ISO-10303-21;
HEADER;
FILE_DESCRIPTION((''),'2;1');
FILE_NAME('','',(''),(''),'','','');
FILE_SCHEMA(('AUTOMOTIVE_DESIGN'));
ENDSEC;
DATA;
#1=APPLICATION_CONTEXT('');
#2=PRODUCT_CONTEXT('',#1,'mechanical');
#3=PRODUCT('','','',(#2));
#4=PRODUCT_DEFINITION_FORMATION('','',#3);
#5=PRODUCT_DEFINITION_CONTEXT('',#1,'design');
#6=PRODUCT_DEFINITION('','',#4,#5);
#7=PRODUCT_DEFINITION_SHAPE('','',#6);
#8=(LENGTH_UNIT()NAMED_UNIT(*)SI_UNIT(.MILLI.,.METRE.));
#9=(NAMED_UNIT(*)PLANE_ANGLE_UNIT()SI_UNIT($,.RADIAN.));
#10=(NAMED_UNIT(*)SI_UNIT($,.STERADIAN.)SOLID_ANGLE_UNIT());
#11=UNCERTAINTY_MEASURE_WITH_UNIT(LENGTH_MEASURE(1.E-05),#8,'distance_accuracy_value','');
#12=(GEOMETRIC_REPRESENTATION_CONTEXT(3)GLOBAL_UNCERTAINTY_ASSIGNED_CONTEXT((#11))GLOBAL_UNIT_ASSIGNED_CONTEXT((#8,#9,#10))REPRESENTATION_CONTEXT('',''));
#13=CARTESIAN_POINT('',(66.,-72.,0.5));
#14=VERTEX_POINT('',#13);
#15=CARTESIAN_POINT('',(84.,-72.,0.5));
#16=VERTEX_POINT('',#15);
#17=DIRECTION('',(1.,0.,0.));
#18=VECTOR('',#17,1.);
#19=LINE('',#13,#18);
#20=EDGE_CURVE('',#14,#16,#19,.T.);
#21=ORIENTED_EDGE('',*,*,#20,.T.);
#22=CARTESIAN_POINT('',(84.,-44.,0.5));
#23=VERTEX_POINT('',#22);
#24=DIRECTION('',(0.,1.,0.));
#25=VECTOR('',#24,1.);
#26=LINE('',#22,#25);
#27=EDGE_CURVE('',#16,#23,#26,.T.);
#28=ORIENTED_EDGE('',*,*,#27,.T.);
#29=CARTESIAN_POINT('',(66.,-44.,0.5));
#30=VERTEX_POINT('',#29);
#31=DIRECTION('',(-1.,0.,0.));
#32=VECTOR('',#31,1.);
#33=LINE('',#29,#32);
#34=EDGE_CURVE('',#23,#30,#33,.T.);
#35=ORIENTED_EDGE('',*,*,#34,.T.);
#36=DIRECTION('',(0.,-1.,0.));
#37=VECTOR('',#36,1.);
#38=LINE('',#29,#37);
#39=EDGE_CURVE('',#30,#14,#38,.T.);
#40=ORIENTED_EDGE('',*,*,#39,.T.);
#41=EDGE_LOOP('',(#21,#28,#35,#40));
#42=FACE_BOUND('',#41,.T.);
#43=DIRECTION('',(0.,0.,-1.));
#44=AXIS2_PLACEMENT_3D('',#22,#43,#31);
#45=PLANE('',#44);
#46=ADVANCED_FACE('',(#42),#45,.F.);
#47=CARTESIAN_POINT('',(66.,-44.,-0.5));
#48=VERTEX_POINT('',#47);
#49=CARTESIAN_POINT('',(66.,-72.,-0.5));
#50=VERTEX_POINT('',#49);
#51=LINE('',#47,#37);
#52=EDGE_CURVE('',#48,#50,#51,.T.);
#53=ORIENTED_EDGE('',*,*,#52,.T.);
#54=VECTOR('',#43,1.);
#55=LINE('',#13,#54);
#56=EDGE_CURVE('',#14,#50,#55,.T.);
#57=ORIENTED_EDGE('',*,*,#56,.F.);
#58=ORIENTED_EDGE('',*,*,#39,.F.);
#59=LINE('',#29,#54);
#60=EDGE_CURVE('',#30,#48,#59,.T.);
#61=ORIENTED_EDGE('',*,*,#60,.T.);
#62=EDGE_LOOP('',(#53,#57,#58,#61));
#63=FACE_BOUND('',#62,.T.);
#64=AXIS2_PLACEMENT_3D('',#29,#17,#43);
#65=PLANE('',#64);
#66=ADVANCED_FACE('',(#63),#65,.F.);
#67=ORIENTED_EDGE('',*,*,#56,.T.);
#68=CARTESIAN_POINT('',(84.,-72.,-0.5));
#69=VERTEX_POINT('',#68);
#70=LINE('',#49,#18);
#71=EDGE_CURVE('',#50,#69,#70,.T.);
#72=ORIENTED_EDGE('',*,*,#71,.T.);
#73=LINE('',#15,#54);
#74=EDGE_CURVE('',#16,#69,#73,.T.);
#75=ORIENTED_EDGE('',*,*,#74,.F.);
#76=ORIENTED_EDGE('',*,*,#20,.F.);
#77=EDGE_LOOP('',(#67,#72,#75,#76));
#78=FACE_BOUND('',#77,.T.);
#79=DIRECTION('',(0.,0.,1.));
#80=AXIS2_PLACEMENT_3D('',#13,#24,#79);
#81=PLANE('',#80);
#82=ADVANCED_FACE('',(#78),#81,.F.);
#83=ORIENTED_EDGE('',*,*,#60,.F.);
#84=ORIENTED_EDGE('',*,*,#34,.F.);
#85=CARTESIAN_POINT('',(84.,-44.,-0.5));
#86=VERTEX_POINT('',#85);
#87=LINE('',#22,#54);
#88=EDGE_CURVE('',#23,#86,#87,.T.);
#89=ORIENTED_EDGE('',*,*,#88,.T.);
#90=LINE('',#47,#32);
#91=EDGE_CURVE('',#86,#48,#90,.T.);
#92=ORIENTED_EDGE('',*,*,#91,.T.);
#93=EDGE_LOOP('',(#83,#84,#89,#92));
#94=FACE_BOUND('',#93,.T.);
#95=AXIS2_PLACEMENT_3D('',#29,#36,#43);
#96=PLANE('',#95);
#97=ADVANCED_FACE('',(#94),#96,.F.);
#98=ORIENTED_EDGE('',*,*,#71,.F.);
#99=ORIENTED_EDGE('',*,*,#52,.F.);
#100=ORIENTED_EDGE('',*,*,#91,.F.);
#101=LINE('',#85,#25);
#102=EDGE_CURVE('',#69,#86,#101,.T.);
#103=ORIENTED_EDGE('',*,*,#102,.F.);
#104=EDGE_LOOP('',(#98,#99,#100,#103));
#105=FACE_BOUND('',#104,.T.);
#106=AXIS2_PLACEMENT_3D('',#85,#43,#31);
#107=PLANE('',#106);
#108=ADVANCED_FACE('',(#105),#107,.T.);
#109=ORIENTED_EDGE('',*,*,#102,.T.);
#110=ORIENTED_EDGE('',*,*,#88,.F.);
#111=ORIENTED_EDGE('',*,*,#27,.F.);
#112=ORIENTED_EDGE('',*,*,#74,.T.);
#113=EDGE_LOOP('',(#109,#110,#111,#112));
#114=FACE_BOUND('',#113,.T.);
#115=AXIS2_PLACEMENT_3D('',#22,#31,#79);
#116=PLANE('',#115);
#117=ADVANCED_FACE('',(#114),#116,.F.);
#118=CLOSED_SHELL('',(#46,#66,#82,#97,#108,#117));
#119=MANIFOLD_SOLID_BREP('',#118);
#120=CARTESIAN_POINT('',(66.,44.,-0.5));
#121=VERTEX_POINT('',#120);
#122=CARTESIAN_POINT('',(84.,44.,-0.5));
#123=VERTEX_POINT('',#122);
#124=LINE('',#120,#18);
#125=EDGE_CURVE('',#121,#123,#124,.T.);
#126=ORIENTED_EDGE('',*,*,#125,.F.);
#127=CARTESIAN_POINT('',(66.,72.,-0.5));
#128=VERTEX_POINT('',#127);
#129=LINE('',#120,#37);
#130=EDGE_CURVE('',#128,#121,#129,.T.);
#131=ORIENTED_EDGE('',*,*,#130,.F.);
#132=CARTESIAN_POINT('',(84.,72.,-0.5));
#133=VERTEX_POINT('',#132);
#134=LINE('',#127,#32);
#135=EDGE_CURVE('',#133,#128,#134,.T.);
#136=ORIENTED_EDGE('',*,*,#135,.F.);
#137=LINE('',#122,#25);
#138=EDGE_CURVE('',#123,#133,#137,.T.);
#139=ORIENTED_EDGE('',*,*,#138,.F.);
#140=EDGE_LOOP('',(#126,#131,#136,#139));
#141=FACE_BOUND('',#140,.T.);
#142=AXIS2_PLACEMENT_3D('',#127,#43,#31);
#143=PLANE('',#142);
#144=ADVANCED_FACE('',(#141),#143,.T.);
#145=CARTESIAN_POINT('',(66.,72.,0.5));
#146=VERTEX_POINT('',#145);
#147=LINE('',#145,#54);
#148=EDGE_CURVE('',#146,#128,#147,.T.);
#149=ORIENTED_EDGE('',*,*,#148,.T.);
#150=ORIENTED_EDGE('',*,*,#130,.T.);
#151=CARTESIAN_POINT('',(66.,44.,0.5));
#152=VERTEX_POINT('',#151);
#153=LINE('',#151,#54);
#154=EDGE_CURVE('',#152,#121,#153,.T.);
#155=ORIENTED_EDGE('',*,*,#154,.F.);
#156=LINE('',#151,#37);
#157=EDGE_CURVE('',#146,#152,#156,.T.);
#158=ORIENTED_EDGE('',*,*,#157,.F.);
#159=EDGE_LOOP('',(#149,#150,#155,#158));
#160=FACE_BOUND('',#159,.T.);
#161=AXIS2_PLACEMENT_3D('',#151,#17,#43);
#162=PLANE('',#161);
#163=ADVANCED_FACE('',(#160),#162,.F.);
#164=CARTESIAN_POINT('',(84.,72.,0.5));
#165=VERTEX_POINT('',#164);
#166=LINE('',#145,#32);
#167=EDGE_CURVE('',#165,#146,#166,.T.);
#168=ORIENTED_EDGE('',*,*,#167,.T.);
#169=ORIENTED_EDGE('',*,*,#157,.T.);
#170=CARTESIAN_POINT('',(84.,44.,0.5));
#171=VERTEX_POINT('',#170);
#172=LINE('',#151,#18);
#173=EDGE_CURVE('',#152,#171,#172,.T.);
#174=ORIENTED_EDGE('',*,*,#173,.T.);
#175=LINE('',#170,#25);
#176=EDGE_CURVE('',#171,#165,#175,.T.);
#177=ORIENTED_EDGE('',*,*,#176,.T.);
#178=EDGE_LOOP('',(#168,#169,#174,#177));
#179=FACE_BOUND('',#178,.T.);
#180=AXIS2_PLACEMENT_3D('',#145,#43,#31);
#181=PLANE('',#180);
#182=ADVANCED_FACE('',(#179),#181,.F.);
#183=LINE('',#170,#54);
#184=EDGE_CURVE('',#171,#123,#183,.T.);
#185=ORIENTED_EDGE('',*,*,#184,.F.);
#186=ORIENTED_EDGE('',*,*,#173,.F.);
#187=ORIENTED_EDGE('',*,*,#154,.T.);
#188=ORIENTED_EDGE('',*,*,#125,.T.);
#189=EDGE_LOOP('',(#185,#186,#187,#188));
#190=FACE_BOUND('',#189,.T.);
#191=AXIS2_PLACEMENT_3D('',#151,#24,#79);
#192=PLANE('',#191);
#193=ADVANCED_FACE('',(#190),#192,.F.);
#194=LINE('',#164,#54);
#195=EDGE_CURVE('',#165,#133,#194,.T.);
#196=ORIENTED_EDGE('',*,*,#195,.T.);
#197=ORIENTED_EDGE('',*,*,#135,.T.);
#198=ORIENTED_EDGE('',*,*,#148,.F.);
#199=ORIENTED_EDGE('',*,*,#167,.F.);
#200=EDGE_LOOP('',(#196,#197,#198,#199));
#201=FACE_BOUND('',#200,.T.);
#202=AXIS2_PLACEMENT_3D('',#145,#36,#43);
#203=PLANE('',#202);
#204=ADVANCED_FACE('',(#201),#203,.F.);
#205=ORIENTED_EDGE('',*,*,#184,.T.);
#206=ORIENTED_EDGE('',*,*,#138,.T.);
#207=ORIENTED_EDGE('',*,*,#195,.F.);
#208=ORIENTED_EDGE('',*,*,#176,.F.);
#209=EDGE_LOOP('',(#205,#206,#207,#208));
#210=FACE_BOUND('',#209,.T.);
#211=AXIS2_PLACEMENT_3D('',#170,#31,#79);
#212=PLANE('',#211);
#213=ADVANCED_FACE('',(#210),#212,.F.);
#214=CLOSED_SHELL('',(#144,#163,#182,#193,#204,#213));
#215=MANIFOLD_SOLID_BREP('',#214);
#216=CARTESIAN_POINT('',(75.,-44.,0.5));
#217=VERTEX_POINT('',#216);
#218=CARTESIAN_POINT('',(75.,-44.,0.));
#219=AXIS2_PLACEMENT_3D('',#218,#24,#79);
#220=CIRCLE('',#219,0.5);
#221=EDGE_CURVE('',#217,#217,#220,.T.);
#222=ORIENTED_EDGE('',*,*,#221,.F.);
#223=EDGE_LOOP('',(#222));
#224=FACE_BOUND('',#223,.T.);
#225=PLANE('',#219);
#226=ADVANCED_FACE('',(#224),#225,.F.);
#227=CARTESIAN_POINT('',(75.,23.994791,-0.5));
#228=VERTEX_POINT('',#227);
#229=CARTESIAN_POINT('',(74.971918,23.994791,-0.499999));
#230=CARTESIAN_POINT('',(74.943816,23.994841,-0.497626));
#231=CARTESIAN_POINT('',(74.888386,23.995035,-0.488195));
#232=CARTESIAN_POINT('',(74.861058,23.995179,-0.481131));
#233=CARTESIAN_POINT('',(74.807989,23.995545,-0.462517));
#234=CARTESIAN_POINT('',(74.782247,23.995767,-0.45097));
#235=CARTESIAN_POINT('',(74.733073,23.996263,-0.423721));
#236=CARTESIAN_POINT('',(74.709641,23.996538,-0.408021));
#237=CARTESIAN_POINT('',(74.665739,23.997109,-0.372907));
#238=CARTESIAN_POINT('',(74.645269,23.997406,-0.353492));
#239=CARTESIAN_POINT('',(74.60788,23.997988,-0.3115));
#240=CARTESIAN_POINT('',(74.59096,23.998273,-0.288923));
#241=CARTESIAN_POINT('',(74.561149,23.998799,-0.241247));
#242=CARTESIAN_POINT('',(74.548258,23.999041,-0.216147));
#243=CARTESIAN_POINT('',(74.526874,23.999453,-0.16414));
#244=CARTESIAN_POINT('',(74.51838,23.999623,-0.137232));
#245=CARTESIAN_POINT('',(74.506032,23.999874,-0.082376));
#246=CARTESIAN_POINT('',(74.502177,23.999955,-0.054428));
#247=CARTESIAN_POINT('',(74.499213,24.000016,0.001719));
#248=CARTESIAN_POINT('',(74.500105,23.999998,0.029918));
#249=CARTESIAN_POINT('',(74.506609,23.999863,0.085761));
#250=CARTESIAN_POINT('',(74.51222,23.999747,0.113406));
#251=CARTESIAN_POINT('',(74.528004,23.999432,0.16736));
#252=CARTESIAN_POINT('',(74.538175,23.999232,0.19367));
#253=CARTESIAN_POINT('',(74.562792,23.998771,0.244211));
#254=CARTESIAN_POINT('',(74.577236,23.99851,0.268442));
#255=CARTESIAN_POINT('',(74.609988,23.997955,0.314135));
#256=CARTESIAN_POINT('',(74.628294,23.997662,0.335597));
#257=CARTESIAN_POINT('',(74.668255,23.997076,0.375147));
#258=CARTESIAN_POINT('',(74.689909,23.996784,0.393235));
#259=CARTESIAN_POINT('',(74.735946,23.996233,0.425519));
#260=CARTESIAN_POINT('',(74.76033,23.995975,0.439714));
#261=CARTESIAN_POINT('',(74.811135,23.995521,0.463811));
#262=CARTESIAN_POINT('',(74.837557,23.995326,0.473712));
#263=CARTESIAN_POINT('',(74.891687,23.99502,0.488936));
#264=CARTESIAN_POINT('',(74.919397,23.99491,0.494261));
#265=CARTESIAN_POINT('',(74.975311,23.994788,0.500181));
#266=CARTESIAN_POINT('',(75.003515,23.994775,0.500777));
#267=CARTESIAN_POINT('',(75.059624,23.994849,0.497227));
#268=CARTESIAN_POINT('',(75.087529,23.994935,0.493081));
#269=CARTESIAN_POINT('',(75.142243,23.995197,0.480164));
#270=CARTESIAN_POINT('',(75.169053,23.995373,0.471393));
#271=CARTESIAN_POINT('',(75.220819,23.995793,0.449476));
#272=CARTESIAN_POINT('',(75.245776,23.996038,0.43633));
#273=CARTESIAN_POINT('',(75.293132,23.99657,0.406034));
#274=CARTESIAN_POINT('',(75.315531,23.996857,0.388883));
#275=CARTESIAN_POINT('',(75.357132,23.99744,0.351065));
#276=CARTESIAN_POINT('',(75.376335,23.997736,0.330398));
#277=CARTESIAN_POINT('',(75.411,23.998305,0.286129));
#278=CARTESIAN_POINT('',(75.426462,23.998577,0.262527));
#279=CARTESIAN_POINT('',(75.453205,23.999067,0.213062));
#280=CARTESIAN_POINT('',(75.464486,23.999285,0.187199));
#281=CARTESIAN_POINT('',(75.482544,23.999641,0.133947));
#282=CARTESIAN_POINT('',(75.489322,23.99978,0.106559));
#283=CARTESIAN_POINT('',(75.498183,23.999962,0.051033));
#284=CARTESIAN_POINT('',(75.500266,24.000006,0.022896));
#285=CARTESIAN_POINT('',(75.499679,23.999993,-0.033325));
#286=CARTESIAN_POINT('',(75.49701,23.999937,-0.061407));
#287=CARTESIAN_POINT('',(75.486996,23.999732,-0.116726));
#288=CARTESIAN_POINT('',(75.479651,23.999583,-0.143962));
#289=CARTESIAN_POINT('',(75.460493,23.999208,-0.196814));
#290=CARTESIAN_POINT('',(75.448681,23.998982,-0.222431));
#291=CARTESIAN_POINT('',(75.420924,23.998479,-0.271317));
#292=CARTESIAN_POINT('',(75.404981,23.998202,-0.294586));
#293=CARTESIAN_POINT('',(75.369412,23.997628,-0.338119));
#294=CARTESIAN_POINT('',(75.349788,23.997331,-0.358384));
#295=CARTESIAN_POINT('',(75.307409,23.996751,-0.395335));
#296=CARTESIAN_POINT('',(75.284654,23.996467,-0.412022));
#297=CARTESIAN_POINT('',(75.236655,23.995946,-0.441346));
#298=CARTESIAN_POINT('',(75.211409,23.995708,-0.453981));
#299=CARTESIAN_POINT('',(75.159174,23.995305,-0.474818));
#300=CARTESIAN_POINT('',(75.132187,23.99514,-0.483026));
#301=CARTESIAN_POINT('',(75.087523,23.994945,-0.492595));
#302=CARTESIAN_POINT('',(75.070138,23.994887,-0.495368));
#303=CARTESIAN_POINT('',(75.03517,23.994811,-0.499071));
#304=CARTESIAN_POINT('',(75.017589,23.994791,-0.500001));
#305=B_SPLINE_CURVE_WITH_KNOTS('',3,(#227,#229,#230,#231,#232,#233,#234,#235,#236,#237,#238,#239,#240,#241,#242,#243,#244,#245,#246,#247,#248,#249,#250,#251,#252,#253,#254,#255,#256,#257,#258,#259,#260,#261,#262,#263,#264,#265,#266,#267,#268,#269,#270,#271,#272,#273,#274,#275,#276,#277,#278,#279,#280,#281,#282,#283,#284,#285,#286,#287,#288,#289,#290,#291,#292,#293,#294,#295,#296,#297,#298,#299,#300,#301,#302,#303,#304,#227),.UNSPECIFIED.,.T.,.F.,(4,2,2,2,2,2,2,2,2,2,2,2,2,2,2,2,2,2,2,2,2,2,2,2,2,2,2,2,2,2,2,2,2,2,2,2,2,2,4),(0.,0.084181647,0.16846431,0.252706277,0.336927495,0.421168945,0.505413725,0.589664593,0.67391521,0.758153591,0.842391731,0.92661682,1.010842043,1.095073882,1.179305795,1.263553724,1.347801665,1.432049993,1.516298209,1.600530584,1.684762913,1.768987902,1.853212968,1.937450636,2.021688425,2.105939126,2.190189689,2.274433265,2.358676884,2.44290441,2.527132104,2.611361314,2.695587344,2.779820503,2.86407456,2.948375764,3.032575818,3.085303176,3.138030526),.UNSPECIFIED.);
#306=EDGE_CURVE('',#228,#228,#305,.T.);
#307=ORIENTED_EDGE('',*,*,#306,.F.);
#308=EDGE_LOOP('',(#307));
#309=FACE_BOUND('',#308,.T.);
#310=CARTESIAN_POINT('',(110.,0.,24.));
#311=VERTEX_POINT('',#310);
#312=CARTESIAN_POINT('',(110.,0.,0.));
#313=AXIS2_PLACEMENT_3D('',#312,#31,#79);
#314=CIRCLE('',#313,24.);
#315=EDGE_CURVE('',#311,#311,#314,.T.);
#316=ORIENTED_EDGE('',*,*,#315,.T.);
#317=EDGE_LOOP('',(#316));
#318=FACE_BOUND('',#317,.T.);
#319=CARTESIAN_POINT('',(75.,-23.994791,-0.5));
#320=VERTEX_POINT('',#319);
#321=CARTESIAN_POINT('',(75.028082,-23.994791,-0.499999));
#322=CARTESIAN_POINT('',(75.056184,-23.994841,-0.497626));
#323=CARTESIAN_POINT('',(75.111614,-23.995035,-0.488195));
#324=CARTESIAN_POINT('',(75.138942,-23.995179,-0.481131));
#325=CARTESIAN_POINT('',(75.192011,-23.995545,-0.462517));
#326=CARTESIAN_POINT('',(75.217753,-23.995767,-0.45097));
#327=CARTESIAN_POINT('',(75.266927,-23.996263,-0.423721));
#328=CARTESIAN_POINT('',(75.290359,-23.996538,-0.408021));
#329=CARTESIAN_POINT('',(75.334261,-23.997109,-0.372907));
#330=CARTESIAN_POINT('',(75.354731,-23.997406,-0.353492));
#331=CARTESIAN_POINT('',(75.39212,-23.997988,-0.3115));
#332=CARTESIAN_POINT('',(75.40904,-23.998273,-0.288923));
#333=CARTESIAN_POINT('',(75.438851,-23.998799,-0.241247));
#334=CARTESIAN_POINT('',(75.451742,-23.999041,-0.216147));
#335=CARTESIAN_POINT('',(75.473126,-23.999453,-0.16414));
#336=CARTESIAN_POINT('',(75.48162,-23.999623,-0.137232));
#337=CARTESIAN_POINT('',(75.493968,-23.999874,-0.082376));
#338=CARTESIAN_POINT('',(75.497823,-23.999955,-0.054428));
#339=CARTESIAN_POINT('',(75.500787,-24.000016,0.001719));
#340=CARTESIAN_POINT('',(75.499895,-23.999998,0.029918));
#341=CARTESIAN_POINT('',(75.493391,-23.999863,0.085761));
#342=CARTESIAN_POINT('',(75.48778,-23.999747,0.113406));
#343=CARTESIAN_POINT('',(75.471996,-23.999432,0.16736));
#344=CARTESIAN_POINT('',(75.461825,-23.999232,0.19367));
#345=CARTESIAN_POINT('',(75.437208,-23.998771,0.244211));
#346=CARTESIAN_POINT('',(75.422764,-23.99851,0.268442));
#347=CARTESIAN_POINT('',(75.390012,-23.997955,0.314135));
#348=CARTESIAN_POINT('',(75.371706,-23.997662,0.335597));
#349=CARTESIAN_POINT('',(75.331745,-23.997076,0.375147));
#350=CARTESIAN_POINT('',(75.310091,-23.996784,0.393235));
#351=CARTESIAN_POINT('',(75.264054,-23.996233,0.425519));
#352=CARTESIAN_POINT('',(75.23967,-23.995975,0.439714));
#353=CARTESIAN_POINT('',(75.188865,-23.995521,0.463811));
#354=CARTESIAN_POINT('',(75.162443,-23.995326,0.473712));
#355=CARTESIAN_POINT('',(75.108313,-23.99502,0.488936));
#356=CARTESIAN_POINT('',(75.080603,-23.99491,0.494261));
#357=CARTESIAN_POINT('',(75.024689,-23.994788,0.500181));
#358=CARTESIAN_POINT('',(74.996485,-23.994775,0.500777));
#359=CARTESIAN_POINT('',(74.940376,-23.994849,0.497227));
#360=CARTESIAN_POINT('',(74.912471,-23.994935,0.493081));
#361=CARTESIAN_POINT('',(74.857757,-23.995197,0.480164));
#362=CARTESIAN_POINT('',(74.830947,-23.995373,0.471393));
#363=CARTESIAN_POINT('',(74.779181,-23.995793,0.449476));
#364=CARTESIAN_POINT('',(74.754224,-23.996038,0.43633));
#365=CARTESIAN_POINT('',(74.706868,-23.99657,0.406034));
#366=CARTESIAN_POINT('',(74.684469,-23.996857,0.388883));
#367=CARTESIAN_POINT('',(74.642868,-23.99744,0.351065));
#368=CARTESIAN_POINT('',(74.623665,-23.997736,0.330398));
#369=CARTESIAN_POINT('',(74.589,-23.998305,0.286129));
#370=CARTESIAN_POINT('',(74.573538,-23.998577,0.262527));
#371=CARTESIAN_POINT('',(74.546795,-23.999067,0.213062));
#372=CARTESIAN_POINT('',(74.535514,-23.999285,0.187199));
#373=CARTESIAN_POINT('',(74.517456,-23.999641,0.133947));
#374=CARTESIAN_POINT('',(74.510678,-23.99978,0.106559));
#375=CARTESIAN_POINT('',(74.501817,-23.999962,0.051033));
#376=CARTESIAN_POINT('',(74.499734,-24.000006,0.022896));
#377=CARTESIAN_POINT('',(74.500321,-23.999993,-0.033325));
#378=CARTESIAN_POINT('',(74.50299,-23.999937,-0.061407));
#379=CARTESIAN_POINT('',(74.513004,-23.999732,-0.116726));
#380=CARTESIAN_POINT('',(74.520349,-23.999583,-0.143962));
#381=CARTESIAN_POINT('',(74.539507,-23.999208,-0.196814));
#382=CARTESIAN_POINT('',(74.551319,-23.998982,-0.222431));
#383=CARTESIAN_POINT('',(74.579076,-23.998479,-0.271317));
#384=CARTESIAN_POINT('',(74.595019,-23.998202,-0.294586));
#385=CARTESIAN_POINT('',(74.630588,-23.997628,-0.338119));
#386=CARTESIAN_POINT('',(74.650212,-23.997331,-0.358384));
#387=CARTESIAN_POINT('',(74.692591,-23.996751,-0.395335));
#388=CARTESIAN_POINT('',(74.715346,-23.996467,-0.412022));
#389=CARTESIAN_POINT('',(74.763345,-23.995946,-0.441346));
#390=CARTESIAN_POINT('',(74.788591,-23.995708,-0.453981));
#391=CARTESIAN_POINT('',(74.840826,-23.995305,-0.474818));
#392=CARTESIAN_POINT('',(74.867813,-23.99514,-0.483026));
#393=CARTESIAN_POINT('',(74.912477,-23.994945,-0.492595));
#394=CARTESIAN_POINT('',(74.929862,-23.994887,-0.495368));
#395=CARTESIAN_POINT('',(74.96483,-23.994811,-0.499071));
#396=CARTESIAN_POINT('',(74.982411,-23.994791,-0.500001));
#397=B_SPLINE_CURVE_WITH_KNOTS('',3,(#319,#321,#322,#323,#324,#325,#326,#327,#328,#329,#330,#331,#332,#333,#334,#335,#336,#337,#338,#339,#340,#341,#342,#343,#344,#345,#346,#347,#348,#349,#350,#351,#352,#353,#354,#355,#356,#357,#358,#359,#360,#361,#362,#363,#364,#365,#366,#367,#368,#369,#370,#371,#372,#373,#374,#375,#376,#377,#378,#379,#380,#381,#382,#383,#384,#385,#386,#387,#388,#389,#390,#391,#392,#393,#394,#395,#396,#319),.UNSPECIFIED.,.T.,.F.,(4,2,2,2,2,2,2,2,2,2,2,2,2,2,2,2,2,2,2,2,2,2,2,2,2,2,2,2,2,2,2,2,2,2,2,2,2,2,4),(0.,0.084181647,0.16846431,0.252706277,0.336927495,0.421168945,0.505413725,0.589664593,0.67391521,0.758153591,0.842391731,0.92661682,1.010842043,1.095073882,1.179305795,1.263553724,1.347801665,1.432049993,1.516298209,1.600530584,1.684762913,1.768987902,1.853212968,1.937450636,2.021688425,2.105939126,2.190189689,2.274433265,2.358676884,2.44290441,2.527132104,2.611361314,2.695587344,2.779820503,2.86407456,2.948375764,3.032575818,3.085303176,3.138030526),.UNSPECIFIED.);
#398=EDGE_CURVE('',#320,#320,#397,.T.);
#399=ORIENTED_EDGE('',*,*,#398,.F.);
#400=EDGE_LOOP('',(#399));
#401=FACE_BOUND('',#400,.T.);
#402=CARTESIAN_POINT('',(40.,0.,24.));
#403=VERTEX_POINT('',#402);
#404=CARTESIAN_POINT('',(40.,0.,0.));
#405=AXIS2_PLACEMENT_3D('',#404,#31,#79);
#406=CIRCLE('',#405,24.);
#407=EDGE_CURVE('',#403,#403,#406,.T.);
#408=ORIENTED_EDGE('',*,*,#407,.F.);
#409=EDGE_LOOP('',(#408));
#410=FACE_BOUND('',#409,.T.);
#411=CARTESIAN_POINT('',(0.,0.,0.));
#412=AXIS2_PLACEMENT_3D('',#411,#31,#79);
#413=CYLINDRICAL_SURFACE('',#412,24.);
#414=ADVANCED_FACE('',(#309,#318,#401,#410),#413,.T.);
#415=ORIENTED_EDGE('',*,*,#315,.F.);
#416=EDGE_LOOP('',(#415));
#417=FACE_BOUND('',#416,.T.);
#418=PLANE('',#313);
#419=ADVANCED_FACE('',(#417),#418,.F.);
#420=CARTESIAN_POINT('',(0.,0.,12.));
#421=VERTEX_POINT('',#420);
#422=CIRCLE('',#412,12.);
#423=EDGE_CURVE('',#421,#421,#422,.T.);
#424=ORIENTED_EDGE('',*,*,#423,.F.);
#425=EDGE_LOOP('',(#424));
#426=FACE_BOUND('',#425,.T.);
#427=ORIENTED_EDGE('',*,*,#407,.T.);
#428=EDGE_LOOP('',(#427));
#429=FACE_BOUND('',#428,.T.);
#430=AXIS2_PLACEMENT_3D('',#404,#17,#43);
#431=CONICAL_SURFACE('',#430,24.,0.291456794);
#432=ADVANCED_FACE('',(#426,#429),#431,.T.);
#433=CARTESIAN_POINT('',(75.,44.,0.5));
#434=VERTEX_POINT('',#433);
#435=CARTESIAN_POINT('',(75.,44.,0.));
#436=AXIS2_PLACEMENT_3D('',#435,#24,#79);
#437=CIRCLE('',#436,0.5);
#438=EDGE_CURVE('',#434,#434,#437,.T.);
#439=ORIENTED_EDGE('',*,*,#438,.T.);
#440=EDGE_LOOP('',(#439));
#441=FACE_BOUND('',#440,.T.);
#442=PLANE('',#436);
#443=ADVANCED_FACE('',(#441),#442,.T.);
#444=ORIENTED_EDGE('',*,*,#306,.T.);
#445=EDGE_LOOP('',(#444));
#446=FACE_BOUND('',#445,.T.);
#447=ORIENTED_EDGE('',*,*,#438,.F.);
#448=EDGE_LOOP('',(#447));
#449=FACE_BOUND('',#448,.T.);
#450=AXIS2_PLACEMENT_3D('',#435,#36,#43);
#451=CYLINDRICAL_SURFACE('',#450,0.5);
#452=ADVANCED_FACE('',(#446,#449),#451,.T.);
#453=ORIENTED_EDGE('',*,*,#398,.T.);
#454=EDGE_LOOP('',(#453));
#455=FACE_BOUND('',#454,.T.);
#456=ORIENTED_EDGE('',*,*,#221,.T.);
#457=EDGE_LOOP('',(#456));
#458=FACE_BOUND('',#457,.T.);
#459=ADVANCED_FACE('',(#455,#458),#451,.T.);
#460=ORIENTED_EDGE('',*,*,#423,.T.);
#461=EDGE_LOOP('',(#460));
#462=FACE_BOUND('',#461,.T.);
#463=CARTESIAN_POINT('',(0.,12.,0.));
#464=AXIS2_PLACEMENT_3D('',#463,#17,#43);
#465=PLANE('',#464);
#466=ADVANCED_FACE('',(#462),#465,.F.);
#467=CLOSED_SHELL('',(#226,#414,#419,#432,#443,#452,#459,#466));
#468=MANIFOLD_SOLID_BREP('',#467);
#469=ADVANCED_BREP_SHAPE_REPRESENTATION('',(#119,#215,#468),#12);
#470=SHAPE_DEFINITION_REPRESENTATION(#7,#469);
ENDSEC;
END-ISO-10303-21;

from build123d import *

# Parameters (mm, degrees)
SKETCH2_R        = 0.5
EXTRUDE1_DEPTH   = 44
SKETCH3_W        = 18
SKETCH3_H        = 28
EXTRUDE2_DEPTH   = 0.5
EXTRUDE2_2_DEPTH = 0.5


with BuildPart() as part:
    # Sketch1 → Revolve1 (revolve)
    with BuildSketch(Plane.XY, mode=Mode.PRIVATE) as revolve1_sk:
        Polygon((0, 0), (110, 0), (110, 24), (40, 24), (0, 12), align=None)
    revolve(revolve1_sk.sketch.rotate(Axis((0, 0, 0), (1, 0, 0)), 90), axis=Axis((0, 0, 0), (1, 0, 0)))  # turned: the seam where the file's is

    # Sketch2 → Extrude1 (add, symmetric)
    with BuildSketch(Plane(origin=(0, 0, 0), x_dir=(1, 0, 0), z_dir=(0, 1, 0))):
        with Locations(Location((75, 0, 0), (0, 0, 90))):  # turned: the seam where the file's is
            Circle(SKETCH2_R)
    extrude(amount=EXTRUDE1_DEPTH, both=True)


with BuildPart() as body_2:
    # Sketch3 → Extrude2 (new body, symmetric)
    with BuildSketch(Plane.XY):
        with Locations((75, 58)):
            Rectangle(SKETCH3_W, SKETCH3_H)
    extrude(amount=EXTRUDE2_DEPTH, both=True)


with BuildPart() as body_3:
    # Sketch3 → Extrude2 2 (new body, symmetric)
    with BuildSketch(Plane.XY):
        with Locations((75, -58)):
            Rectangle(SKETCH3_W, SKETCH3_H)
    extrude(amount=EXTRUDE2_2_DEPTH, both=True)


solid = Compound([part.part, body_2.part, body_3.part])
